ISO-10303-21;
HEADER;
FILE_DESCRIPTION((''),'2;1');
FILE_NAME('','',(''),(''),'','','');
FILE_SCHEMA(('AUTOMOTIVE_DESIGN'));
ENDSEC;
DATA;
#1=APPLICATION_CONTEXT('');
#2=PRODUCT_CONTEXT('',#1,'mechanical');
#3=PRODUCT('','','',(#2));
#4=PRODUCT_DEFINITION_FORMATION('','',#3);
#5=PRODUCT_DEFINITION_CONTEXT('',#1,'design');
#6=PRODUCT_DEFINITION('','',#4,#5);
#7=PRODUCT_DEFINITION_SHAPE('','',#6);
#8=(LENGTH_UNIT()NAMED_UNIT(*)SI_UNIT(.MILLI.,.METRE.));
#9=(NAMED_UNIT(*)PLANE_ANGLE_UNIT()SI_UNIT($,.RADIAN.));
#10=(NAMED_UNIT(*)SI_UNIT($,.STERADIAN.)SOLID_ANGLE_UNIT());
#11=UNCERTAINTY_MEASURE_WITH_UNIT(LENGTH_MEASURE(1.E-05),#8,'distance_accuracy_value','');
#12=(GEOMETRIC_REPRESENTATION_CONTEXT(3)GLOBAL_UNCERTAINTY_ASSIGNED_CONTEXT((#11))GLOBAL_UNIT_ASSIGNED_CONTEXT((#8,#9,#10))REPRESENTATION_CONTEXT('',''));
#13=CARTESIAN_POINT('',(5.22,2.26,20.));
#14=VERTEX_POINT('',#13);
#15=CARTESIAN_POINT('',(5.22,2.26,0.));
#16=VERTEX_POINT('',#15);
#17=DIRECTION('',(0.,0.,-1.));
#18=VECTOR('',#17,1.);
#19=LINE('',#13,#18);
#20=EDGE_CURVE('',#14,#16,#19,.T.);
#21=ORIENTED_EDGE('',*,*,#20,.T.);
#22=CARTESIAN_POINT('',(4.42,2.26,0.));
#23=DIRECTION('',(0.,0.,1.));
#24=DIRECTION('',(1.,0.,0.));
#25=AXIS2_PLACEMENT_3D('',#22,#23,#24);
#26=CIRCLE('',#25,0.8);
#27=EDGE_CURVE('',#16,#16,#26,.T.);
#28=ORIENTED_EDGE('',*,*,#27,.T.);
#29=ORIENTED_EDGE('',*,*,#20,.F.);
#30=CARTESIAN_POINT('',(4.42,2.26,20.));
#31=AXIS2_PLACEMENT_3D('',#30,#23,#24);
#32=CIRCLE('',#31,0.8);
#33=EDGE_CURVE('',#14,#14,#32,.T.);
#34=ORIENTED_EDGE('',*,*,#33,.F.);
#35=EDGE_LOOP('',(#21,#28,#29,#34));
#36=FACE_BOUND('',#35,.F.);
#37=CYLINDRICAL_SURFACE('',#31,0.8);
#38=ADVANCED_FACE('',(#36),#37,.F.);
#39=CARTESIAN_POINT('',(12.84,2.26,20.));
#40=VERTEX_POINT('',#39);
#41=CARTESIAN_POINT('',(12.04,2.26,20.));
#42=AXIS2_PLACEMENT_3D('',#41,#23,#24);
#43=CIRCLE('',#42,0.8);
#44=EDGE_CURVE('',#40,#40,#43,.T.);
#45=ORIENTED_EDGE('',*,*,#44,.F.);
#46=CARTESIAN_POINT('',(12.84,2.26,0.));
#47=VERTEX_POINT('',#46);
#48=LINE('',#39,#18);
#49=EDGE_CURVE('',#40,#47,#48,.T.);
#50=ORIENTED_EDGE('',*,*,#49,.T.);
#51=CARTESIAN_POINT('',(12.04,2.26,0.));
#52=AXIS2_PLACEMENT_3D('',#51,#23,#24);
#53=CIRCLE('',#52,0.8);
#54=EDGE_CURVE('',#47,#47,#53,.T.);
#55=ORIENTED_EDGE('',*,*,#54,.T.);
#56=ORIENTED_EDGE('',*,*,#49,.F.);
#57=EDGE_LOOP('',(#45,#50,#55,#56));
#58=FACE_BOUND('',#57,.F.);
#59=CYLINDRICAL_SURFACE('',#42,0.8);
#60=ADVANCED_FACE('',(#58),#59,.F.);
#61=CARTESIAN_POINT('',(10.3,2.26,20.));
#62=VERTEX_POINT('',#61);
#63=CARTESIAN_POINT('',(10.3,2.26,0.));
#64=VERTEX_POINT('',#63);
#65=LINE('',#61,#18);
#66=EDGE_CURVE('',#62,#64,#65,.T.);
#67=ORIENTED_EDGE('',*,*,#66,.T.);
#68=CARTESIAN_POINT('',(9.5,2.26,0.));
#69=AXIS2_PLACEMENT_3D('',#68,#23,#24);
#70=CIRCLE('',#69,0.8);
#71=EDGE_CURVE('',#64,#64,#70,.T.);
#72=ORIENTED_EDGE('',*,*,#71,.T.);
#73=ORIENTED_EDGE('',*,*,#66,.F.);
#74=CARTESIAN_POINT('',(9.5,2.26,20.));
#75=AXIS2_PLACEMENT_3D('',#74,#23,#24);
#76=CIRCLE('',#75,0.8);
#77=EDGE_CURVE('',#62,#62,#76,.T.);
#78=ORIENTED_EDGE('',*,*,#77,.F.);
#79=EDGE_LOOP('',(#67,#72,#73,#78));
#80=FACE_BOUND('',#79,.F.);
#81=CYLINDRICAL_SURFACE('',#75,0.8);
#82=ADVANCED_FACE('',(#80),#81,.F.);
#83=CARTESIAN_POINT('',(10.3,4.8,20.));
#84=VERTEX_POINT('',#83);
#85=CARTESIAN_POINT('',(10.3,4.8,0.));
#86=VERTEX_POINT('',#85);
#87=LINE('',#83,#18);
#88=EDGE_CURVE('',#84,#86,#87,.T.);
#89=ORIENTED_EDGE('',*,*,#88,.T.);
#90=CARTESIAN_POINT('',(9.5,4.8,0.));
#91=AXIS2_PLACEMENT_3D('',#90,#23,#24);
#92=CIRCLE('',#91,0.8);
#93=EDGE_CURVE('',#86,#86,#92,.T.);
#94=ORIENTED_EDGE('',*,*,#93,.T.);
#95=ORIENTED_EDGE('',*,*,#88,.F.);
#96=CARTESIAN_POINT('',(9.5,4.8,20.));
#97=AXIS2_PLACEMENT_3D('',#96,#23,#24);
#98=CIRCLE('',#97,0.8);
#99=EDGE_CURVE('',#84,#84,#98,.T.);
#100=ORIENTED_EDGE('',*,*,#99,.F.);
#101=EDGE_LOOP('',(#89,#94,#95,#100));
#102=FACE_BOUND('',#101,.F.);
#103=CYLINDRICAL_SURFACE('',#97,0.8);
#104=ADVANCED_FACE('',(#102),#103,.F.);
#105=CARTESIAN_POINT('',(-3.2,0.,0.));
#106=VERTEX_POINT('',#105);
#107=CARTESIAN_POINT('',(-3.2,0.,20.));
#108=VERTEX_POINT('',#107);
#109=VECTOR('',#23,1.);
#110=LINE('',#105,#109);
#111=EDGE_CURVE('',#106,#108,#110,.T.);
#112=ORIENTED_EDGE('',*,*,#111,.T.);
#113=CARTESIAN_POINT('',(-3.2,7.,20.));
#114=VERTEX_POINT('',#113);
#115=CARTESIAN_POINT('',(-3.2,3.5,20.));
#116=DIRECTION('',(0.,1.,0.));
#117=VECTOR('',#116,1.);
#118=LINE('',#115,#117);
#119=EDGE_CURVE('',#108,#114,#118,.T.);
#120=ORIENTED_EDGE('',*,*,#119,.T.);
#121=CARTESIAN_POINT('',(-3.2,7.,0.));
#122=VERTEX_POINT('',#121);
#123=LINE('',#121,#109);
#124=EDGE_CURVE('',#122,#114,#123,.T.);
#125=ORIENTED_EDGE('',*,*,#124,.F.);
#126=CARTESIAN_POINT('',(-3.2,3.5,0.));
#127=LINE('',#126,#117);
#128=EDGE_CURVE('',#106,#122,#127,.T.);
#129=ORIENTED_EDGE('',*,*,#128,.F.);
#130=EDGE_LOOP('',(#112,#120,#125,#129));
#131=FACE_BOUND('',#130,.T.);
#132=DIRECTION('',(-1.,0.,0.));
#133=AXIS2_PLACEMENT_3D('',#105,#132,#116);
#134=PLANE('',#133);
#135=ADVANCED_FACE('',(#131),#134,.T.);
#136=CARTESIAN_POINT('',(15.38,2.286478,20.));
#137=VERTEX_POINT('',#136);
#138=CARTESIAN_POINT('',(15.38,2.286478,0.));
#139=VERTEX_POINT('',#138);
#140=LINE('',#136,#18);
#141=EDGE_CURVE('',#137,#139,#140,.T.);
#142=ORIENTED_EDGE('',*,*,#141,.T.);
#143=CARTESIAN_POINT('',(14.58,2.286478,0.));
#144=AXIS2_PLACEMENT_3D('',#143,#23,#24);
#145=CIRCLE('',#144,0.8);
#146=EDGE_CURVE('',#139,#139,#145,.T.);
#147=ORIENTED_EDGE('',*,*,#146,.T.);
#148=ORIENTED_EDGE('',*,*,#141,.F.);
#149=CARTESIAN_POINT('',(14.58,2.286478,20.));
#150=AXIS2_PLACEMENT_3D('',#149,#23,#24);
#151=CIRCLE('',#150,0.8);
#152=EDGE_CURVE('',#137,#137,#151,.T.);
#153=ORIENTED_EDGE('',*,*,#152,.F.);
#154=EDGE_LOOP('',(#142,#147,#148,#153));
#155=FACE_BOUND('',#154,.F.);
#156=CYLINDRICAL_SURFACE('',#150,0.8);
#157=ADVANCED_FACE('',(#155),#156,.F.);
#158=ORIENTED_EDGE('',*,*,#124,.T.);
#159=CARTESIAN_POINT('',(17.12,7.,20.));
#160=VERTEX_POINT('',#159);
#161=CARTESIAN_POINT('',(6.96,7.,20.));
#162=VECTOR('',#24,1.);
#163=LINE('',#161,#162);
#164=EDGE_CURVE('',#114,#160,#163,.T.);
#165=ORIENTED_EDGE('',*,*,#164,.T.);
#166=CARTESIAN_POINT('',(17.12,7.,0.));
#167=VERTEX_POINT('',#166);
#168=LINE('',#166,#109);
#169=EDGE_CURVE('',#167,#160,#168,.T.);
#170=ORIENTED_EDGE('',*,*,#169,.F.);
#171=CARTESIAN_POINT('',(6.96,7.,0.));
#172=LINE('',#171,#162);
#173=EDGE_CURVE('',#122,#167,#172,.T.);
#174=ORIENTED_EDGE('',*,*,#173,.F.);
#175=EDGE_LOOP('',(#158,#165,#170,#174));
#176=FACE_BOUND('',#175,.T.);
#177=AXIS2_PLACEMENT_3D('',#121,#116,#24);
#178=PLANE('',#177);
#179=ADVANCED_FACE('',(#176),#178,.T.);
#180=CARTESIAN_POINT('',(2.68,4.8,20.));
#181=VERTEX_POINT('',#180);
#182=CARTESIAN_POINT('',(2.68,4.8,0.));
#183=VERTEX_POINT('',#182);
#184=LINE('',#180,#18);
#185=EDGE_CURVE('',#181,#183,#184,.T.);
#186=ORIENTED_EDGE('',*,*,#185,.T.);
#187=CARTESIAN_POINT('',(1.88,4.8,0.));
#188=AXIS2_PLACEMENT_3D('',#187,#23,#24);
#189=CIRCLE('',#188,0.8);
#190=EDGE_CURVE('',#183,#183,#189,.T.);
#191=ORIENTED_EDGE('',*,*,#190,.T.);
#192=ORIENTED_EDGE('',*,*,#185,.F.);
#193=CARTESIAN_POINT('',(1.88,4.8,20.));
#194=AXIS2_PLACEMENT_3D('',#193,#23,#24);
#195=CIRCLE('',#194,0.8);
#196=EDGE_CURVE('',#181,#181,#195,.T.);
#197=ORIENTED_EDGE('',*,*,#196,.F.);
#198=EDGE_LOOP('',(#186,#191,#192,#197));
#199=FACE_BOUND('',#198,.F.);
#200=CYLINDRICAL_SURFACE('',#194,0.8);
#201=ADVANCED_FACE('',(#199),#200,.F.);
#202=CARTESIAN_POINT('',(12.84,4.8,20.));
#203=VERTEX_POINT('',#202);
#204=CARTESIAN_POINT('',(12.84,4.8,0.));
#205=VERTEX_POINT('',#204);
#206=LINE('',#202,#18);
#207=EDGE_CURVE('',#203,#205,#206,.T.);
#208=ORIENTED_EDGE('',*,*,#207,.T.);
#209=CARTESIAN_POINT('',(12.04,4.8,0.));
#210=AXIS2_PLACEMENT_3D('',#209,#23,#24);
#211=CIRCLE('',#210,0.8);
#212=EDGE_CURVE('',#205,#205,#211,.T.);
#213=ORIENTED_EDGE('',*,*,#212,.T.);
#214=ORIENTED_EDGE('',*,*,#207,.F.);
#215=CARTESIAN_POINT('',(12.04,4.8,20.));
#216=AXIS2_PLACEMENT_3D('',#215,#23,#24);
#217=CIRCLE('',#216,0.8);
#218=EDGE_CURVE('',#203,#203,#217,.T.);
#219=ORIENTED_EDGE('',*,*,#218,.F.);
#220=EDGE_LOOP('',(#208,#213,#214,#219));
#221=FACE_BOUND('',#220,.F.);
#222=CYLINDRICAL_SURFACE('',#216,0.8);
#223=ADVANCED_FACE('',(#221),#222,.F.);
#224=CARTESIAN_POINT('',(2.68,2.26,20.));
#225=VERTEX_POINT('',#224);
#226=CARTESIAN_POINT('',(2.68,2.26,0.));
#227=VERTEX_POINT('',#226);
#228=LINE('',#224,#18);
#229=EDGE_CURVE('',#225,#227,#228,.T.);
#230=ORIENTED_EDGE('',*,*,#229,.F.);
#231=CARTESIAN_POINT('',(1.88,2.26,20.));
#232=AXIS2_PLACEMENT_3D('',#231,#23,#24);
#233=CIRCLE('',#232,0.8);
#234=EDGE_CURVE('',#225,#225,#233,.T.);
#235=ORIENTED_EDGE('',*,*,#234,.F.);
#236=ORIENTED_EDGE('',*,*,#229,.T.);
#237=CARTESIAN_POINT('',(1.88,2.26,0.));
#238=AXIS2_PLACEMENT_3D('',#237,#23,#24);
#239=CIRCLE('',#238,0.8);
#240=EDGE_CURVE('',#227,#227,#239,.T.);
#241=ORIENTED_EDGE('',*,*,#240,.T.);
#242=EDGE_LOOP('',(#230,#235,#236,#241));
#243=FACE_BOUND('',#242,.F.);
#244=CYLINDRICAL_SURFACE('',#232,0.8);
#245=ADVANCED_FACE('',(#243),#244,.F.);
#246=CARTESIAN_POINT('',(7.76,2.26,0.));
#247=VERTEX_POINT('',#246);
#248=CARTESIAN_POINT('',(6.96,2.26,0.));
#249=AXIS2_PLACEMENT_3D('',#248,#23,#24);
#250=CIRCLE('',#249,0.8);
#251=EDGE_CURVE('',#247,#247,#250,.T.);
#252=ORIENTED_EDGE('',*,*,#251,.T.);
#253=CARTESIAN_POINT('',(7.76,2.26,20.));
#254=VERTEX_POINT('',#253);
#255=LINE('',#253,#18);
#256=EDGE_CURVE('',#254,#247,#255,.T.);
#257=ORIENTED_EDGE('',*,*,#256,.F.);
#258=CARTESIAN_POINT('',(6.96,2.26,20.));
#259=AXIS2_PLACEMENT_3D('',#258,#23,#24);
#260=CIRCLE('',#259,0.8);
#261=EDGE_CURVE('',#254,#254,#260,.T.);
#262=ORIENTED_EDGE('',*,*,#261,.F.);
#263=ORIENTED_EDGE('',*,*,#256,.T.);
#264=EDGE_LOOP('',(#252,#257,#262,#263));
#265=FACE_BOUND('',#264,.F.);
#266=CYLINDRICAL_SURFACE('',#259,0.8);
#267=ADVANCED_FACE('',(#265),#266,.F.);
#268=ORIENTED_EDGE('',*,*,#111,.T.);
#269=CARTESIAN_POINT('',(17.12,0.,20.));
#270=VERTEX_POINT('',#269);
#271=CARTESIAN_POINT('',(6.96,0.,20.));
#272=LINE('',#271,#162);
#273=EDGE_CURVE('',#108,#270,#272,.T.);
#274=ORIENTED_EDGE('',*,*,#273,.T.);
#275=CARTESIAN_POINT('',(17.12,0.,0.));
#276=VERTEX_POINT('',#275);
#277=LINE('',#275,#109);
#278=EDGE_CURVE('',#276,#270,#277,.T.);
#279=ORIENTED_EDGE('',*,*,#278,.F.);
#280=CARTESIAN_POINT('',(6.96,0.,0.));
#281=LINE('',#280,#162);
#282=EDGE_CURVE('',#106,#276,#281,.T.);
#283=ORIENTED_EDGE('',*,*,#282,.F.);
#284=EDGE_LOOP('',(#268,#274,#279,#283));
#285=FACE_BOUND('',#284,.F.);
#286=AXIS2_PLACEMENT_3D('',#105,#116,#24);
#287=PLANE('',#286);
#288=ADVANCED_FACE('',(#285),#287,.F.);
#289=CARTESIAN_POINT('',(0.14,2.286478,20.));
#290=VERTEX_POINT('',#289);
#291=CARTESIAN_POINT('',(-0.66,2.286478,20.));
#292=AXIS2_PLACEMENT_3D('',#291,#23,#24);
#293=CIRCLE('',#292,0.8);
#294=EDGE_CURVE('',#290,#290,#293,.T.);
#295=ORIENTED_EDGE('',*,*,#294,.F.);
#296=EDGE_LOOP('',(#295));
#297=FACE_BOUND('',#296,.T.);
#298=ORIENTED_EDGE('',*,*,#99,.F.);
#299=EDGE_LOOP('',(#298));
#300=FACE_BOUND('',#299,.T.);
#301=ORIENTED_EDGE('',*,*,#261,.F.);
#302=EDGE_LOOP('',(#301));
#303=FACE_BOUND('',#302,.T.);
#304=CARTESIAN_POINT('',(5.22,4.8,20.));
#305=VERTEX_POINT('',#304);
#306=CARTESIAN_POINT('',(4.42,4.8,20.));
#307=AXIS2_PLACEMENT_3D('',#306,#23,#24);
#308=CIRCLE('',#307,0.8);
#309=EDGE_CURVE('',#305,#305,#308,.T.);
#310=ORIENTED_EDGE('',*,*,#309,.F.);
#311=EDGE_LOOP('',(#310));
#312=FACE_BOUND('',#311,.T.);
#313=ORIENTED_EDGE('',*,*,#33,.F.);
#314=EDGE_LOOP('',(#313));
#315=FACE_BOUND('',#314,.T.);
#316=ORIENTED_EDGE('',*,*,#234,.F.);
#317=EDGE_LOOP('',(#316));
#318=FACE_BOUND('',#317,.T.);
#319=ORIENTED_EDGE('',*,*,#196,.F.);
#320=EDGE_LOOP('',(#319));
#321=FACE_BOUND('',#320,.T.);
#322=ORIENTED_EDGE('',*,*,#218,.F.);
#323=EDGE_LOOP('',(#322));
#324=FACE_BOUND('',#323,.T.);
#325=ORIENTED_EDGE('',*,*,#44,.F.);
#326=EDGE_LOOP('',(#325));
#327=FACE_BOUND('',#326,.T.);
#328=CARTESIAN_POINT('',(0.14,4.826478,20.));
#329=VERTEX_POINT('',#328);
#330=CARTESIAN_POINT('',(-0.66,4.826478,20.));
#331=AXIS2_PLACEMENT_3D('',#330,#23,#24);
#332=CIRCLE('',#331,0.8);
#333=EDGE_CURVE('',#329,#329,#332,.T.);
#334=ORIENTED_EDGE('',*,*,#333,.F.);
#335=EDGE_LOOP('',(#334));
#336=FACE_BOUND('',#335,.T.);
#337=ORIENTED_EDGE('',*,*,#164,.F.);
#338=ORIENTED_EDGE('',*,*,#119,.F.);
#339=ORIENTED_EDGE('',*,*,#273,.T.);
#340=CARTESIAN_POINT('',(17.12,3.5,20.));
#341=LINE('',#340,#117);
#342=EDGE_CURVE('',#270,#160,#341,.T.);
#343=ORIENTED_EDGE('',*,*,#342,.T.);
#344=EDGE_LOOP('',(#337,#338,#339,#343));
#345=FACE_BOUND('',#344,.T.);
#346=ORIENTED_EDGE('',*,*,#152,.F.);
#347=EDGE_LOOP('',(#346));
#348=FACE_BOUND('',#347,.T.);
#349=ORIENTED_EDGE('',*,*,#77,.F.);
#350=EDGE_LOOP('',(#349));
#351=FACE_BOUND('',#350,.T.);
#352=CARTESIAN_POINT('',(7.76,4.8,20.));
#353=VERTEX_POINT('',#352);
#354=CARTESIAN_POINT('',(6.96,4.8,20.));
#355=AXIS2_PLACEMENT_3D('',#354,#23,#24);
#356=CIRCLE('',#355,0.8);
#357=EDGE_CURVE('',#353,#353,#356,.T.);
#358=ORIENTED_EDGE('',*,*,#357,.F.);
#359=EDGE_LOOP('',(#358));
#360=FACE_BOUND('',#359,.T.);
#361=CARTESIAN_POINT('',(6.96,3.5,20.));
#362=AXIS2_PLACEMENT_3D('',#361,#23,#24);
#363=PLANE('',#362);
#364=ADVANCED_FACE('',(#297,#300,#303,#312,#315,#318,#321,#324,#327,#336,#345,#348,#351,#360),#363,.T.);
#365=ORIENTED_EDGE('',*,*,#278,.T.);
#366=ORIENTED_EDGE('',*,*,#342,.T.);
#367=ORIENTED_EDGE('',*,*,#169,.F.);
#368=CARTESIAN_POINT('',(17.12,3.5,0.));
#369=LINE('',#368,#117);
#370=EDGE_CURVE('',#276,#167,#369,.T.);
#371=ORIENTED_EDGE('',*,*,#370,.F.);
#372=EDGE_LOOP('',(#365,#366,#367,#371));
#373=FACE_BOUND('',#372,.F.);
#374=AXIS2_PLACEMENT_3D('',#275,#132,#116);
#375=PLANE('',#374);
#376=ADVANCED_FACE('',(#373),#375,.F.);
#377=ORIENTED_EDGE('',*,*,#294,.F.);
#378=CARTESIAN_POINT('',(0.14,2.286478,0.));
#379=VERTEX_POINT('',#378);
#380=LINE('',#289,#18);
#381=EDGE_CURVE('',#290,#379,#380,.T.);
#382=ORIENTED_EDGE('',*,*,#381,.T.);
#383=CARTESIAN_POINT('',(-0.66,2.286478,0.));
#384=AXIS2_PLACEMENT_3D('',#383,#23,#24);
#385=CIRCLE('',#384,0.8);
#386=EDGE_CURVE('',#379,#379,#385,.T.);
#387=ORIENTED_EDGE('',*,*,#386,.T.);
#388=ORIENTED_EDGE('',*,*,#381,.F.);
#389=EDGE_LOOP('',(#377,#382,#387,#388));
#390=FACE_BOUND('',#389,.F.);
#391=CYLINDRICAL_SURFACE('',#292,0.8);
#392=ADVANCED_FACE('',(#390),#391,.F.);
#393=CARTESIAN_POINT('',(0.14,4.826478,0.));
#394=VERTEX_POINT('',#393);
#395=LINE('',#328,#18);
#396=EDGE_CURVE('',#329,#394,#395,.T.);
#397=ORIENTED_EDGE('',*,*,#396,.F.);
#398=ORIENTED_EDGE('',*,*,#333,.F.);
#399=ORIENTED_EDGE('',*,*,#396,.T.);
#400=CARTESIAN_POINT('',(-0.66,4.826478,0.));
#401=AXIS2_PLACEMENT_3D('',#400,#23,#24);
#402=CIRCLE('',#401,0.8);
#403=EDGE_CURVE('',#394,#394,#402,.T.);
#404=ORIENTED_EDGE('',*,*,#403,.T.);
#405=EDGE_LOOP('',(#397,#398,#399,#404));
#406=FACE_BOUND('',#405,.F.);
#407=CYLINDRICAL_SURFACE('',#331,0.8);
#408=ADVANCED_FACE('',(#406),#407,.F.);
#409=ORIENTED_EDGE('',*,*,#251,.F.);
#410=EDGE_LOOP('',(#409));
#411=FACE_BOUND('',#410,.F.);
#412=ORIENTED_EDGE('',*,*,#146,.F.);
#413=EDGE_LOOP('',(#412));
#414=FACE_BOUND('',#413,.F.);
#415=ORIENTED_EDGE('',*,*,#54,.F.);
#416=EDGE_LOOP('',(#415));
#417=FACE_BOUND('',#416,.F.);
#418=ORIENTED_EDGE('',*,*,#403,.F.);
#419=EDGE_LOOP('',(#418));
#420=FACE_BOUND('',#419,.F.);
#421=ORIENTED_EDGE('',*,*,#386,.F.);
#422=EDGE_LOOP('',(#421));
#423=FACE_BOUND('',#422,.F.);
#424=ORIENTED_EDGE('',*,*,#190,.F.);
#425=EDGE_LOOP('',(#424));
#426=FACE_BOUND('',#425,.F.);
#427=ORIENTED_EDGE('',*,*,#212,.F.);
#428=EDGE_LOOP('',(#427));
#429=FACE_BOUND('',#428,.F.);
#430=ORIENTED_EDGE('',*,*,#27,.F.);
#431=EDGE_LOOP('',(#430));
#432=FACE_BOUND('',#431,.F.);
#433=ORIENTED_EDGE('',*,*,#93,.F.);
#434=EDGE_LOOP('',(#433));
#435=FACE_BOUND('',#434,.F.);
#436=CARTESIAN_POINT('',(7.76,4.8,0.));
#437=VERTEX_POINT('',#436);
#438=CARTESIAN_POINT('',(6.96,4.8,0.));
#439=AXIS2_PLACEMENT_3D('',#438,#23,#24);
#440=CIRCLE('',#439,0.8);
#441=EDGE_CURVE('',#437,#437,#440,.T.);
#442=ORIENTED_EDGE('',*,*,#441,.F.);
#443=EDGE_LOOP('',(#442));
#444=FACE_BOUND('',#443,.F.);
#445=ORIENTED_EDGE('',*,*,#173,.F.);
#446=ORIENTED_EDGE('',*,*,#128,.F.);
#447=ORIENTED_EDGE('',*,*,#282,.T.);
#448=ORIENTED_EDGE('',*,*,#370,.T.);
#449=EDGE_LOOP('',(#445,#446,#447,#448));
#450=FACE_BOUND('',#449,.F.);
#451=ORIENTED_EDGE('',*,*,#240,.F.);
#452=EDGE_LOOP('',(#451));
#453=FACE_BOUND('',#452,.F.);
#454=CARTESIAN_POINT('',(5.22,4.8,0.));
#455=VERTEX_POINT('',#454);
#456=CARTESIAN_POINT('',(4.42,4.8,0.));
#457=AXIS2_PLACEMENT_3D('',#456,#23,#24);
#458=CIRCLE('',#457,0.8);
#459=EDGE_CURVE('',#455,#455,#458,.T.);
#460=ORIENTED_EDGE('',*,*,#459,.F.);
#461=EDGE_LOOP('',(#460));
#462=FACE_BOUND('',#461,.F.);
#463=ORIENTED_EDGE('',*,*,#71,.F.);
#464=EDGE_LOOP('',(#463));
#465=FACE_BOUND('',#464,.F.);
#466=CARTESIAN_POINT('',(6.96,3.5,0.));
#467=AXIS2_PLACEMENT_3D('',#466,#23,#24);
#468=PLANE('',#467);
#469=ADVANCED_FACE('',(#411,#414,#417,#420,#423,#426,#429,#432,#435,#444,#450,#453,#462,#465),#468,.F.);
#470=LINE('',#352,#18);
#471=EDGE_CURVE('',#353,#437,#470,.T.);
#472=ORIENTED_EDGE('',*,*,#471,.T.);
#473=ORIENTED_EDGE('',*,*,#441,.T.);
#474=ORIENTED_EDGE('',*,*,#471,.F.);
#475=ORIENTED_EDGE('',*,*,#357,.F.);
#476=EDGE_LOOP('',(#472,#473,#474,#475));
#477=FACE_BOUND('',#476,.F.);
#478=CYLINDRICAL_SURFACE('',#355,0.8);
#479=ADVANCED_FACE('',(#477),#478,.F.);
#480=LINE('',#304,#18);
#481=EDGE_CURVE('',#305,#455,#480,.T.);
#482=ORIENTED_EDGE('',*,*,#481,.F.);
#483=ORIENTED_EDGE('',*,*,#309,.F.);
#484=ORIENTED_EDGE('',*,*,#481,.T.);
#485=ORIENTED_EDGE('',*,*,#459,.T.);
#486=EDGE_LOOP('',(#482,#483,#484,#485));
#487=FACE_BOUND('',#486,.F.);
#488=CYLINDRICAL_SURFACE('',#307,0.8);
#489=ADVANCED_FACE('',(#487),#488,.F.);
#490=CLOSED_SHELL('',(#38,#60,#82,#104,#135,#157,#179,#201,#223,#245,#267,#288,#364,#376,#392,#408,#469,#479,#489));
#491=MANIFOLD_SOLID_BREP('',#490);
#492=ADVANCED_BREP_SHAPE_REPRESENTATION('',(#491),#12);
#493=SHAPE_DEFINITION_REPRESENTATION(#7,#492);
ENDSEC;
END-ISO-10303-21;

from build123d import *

# Parameters (mm, degrees)
BOX_W        = 20.32
BOX_H        = 7
BOX_DEPTH    = 20
SKETCH_R     = 0.8
POCKET_DEPTH = 20


with BuildPart() as part:
    # Box → Box (new body)
    with BuildSketch(Plane(origin=(-3.2, 0, 0), x_dir=(1, 0, 0), z_dir=(0, 0, 1))):
        with Locations((10.16, 3.5)):
            Rectangle(BOX_W, BOX_H)
    extrude(amount=BOX_DEPTH)

    # Sketch → Pocket (cut)
    with BuildSketch(Plane(origin=(-3.2, 0, 20), x_dir=(1, 0, 0), z_dir=(0, 0, 1))):
        with Locations((5.08, 2.26)):
            Circle(SKETCH_R)
        with Locations((7.62, 2.26)):
            Circle(SKETCH_R)
        with Locations((10.16, 2.26)):
            Circle(SKETCH_R)
        with Locations((12.7, 2.26)):
            Circle(SKETCH_R)
        with Locations((15.24, 2.26)):
            Circle(SKETCH_R)
        with Locations((5.08, 4.8)):
            Circle(SKETCH_R)
        with Locations((7.62, 4.8)):
            Circle(SKETCH_R)
        with Locations((10.16, 4.8)):
            Circle(SKETCH_R)
        with Locations((12.7, 4.8)):
            Circle(SKETCH_R)
        with Locations((15.24, 4.8)):
            Circle(SKETCH_R)
        with Locations((2.54, 2.286478)):
            Circle(SKETCH_R)
        with Locations((2.54, 4.826478)):
            Circle(SKETCH_R)
        with Locations((17.78, 2.286478)):
            Circle(SKETCH_R)
    extrude(amount=-POCKET_DEPTH, mode=Mode.SUBTRACT)


solid = part.part
